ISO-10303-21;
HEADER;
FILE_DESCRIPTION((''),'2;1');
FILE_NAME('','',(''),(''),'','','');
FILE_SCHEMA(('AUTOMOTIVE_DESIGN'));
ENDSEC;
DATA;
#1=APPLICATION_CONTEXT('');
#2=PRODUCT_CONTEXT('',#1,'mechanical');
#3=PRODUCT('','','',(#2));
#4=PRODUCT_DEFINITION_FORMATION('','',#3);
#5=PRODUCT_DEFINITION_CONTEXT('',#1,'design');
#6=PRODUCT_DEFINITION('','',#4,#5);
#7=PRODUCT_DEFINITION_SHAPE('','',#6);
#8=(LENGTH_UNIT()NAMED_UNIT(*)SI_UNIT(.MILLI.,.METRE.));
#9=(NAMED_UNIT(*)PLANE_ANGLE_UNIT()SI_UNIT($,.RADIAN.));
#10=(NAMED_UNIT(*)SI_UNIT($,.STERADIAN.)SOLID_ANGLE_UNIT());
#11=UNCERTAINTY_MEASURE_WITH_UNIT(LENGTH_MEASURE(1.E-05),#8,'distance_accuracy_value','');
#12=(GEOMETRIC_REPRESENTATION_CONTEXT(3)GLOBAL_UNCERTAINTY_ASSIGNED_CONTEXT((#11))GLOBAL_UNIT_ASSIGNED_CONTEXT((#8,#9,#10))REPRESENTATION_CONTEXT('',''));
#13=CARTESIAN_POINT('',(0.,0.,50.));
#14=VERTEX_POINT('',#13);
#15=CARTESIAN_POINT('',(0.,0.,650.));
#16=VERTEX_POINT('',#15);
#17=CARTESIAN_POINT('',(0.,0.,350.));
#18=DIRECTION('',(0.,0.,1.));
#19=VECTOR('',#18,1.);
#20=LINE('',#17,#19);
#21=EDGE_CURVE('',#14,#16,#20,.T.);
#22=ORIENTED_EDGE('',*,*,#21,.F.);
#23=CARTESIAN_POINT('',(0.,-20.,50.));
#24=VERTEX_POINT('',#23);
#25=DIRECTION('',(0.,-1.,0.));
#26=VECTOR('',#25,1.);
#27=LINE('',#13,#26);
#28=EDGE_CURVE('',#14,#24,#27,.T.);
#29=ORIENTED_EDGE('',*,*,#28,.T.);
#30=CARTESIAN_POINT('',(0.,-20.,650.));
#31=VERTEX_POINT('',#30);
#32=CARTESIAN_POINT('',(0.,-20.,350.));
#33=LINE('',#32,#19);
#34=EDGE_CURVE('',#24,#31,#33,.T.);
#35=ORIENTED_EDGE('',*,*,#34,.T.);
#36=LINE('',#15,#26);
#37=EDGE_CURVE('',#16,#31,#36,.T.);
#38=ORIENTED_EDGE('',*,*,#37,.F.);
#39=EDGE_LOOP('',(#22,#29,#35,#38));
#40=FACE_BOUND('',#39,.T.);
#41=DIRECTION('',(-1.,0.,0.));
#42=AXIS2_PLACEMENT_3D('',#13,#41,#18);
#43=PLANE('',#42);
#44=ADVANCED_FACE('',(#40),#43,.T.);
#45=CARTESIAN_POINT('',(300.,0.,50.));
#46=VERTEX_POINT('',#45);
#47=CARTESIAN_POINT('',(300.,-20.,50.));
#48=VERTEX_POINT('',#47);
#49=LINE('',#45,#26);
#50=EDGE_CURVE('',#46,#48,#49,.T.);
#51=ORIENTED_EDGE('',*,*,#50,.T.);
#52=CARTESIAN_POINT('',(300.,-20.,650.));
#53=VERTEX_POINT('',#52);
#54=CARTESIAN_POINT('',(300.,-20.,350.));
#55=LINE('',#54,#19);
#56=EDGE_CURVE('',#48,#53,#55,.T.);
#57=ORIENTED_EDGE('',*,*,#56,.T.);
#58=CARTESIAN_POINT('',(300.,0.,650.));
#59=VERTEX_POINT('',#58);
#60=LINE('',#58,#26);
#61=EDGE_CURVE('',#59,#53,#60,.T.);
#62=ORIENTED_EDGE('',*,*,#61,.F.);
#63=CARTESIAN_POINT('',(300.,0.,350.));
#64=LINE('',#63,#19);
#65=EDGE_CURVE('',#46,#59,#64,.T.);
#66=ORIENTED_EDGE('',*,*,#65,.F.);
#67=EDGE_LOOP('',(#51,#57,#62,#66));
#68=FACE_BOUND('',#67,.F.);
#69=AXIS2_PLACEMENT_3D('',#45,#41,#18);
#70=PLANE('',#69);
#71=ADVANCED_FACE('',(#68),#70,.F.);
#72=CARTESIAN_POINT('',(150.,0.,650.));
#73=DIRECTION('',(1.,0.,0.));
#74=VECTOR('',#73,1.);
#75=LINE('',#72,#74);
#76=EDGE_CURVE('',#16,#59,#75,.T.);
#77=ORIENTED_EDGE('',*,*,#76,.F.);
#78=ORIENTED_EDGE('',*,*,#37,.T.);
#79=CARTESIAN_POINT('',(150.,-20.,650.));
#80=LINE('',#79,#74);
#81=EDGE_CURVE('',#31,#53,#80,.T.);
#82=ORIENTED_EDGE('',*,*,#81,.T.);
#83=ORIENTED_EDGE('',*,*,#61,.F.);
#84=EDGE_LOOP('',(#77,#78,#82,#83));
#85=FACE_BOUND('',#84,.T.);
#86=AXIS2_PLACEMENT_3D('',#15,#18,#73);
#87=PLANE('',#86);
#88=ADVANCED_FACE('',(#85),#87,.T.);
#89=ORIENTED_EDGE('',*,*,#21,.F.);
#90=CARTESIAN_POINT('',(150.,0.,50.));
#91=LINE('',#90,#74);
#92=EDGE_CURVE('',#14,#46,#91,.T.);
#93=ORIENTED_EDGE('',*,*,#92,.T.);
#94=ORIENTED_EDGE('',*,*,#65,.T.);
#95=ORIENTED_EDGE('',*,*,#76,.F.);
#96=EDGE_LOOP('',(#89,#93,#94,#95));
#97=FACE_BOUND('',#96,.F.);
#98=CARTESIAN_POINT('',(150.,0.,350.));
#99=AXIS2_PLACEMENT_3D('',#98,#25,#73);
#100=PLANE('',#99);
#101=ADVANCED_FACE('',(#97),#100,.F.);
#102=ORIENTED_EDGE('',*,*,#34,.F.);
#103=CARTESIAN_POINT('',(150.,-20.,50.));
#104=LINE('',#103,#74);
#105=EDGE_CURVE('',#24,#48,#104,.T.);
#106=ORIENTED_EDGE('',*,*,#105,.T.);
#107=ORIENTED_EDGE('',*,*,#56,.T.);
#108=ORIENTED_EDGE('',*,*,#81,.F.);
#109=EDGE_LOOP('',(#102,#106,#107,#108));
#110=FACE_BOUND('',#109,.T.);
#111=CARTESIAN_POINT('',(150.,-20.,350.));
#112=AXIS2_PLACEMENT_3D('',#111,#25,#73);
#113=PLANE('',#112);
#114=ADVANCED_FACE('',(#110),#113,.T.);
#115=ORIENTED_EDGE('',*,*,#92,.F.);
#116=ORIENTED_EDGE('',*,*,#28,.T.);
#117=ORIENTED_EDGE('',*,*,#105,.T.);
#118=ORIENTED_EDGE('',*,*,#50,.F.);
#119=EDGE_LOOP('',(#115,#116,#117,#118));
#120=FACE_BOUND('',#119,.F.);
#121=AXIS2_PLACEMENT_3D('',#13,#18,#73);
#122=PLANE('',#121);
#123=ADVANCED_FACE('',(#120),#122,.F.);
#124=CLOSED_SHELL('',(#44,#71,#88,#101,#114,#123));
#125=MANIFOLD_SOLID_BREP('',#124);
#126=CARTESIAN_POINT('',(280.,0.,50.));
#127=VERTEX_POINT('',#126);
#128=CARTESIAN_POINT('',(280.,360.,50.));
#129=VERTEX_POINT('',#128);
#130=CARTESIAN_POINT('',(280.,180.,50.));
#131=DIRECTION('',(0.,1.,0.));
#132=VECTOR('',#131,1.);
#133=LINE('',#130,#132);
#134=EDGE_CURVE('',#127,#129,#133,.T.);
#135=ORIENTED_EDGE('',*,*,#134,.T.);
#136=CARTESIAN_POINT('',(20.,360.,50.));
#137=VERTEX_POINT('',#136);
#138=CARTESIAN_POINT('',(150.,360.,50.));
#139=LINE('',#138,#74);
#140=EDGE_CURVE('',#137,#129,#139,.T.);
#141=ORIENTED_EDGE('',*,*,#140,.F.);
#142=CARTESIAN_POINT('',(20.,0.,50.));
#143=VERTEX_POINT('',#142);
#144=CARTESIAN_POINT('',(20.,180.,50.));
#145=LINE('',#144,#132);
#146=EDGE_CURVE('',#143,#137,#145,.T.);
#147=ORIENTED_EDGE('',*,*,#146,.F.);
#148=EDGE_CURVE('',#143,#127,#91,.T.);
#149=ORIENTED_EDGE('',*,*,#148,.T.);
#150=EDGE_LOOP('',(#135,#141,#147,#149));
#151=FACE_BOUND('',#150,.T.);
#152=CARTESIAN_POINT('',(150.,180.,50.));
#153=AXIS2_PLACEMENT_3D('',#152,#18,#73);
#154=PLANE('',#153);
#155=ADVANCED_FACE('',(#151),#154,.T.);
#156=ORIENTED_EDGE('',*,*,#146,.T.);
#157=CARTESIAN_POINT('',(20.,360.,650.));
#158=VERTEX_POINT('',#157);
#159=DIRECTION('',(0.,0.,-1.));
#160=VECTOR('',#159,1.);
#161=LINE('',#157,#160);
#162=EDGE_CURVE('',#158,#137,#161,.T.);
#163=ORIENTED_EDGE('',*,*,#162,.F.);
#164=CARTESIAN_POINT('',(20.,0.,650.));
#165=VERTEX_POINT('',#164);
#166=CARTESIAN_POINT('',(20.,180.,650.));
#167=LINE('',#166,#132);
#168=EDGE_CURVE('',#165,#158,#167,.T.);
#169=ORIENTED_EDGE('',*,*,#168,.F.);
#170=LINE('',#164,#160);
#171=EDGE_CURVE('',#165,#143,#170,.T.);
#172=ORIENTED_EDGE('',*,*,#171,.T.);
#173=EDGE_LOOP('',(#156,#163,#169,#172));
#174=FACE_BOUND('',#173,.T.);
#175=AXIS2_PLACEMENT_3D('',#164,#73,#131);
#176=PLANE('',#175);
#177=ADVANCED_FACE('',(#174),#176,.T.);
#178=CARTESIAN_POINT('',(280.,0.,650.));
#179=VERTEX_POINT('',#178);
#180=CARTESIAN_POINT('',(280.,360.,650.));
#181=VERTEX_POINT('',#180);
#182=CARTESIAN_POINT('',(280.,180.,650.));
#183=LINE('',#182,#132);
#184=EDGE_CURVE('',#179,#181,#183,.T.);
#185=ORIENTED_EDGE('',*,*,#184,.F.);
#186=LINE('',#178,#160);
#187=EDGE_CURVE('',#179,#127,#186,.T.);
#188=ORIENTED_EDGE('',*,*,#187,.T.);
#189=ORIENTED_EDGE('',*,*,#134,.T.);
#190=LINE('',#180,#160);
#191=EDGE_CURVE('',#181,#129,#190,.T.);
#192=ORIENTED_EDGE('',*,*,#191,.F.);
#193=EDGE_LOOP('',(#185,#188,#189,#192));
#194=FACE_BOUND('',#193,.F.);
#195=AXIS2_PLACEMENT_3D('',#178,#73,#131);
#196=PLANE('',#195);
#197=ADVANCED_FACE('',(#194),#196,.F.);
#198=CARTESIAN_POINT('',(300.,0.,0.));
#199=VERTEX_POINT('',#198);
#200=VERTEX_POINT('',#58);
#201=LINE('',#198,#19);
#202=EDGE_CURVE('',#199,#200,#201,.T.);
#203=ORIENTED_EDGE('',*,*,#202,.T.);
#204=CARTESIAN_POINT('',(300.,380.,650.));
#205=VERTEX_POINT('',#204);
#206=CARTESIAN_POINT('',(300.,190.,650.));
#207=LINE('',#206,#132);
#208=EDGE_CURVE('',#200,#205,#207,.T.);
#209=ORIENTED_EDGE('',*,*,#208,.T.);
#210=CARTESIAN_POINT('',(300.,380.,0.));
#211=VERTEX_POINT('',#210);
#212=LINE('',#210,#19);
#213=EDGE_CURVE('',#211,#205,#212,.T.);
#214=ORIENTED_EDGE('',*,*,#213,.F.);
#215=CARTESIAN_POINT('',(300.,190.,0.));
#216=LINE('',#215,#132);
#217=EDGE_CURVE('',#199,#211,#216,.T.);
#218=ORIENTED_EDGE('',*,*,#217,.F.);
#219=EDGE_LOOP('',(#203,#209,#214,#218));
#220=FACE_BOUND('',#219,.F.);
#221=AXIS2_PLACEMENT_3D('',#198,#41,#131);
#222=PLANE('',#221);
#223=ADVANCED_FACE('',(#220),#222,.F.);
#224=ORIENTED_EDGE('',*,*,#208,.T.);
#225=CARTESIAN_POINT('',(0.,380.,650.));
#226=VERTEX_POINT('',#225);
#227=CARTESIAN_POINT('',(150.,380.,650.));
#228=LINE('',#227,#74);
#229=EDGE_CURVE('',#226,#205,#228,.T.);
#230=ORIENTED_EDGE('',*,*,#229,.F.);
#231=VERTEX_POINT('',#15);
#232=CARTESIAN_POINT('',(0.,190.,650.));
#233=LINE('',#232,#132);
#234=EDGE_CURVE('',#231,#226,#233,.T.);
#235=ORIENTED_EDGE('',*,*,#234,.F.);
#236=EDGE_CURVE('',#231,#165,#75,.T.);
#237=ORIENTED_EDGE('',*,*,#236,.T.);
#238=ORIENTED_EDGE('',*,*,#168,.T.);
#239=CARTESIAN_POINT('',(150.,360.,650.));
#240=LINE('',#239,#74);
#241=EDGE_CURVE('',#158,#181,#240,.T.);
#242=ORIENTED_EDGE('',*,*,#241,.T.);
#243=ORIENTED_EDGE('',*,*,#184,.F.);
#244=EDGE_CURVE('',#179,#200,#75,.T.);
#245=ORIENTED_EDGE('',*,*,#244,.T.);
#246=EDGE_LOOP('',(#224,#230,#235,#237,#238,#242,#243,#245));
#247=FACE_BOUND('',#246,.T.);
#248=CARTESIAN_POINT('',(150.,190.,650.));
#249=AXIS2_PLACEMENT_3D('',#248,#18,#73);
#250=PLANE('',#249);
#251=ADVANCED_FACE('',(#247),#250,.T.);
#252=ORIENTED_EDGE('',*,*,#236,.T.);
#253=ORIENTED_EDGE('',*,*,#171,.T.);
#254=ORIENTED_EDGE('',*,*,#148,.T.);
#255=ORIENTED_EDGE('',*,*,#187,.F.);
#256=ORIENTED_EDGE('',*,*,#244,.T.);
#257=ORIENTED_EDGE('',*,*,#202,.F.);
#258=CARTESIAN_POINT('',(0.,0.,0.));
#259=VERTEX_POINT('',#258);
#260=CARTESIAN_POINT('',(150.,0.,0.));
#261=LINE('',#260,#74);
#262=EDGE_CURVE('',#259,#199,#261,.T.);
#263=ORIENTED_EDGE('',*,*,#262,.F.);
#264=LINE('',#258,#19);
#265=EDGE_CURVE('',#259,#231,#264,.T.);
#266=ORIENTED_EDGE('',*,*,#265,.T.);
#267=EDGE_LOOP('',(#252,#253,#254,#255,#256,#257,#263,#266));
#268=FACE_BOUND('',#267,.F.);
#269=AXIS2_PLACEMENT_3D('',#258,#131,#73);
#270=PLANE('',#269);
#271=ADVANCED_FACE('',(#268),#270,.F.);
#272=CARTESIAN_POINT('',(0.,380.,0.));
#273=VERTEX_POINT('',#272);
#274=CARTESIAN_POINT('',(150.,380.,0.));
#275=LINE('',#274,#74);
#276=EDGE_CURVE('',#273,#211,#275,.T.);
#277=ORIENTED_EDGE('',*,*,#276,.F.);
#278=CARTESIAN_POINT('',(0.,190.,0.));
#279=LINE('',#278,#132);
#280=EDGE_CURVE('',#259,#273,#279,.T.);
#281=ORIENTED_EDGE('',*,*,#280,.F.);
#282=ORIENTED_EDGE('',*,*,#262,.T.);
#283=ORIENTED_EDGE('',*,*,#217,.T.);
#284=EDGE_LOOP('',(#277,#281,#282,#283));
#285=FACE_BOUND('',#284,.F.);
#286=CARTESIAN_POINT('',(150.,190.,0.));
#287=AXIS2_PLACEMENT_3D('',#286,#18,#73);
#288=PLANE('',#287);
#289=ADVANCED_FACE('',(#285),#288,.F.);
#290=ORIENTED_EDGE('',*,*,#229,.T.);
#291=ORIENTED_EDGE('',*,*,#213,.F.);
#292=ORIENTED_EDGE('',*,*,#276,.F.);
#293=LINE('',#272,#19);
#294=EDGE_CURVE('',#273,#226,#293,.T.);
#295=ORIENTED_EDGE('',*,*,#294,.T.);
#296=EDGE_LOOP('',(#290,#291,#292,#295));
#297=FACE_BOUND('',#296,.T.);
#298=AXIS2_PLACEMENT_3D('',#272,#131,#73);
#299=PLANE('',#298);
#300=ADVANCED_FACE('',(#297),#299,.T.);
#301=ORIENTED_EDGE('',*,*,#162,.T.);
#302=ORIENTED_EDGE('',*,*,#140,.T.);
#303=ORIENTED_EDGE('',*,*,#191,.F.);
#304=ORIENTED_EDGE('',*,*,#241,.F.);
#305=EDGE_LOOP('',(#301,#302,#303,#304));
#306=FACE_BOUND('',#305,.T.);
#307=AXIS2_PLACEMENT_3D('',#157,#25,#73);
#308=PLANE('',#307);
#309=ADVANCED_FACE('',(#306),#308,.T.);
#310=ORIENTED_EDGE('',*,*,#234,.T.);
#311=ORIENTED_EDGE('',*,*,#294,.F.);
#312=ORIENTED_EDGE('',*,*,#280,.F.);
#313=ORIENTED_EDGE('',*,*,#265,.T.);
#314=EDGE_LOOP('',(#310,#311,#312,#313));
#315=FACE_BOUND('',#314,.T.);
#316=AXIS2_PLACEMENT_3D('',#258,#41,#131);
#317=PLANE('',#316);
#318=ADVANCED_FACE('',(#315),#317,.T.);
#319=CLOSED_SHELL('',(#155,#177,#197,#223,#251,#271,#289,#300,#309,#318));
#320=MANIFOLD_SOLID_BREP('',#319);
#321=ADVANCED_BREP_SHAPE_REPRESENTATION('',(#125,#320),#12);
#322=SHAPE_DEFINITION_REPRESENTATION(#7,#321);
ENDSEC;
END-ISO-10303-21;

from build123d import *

# Parameters (mm, degrees)
F2_W     = 300
F2_H     = 380
F3_DEPTH = 650
F4_W     = 300
F4_H     = 600
F5_DEPTH = 20
F6_W     = 260
F6_H     = 360
F7_DEPTH = 600


with BuildPart() as f3:
    # F2 (on Top) → F3 (new body)
    with BuildSketch(Plane.XY):
        with Locations((150, 190)):
            Rectangle(F2_W, F2_H)
    extrude(amount=F3_DEPTH)

    # F6 (on face) → F7 (cut, through all)
    with BuildSketch(Plane.XY.offset(650)):
        with Locations((150, 180)):
            Rectangle(F6_W, F6_H)
    extrude(amount=-F7_DEPTH, mode=Mode.SUBTRACT)


with BuildPart() as f5:
    # F4 (on face) → F5 (new body)
    with BuildSketch(Plane.XZ):
        with Locations((150, 350)):
            Rectangle(F4_W, F4_H)
    extrude(amount=F5_DEPTH)


solid = Compound([f3.part, f5.part])
